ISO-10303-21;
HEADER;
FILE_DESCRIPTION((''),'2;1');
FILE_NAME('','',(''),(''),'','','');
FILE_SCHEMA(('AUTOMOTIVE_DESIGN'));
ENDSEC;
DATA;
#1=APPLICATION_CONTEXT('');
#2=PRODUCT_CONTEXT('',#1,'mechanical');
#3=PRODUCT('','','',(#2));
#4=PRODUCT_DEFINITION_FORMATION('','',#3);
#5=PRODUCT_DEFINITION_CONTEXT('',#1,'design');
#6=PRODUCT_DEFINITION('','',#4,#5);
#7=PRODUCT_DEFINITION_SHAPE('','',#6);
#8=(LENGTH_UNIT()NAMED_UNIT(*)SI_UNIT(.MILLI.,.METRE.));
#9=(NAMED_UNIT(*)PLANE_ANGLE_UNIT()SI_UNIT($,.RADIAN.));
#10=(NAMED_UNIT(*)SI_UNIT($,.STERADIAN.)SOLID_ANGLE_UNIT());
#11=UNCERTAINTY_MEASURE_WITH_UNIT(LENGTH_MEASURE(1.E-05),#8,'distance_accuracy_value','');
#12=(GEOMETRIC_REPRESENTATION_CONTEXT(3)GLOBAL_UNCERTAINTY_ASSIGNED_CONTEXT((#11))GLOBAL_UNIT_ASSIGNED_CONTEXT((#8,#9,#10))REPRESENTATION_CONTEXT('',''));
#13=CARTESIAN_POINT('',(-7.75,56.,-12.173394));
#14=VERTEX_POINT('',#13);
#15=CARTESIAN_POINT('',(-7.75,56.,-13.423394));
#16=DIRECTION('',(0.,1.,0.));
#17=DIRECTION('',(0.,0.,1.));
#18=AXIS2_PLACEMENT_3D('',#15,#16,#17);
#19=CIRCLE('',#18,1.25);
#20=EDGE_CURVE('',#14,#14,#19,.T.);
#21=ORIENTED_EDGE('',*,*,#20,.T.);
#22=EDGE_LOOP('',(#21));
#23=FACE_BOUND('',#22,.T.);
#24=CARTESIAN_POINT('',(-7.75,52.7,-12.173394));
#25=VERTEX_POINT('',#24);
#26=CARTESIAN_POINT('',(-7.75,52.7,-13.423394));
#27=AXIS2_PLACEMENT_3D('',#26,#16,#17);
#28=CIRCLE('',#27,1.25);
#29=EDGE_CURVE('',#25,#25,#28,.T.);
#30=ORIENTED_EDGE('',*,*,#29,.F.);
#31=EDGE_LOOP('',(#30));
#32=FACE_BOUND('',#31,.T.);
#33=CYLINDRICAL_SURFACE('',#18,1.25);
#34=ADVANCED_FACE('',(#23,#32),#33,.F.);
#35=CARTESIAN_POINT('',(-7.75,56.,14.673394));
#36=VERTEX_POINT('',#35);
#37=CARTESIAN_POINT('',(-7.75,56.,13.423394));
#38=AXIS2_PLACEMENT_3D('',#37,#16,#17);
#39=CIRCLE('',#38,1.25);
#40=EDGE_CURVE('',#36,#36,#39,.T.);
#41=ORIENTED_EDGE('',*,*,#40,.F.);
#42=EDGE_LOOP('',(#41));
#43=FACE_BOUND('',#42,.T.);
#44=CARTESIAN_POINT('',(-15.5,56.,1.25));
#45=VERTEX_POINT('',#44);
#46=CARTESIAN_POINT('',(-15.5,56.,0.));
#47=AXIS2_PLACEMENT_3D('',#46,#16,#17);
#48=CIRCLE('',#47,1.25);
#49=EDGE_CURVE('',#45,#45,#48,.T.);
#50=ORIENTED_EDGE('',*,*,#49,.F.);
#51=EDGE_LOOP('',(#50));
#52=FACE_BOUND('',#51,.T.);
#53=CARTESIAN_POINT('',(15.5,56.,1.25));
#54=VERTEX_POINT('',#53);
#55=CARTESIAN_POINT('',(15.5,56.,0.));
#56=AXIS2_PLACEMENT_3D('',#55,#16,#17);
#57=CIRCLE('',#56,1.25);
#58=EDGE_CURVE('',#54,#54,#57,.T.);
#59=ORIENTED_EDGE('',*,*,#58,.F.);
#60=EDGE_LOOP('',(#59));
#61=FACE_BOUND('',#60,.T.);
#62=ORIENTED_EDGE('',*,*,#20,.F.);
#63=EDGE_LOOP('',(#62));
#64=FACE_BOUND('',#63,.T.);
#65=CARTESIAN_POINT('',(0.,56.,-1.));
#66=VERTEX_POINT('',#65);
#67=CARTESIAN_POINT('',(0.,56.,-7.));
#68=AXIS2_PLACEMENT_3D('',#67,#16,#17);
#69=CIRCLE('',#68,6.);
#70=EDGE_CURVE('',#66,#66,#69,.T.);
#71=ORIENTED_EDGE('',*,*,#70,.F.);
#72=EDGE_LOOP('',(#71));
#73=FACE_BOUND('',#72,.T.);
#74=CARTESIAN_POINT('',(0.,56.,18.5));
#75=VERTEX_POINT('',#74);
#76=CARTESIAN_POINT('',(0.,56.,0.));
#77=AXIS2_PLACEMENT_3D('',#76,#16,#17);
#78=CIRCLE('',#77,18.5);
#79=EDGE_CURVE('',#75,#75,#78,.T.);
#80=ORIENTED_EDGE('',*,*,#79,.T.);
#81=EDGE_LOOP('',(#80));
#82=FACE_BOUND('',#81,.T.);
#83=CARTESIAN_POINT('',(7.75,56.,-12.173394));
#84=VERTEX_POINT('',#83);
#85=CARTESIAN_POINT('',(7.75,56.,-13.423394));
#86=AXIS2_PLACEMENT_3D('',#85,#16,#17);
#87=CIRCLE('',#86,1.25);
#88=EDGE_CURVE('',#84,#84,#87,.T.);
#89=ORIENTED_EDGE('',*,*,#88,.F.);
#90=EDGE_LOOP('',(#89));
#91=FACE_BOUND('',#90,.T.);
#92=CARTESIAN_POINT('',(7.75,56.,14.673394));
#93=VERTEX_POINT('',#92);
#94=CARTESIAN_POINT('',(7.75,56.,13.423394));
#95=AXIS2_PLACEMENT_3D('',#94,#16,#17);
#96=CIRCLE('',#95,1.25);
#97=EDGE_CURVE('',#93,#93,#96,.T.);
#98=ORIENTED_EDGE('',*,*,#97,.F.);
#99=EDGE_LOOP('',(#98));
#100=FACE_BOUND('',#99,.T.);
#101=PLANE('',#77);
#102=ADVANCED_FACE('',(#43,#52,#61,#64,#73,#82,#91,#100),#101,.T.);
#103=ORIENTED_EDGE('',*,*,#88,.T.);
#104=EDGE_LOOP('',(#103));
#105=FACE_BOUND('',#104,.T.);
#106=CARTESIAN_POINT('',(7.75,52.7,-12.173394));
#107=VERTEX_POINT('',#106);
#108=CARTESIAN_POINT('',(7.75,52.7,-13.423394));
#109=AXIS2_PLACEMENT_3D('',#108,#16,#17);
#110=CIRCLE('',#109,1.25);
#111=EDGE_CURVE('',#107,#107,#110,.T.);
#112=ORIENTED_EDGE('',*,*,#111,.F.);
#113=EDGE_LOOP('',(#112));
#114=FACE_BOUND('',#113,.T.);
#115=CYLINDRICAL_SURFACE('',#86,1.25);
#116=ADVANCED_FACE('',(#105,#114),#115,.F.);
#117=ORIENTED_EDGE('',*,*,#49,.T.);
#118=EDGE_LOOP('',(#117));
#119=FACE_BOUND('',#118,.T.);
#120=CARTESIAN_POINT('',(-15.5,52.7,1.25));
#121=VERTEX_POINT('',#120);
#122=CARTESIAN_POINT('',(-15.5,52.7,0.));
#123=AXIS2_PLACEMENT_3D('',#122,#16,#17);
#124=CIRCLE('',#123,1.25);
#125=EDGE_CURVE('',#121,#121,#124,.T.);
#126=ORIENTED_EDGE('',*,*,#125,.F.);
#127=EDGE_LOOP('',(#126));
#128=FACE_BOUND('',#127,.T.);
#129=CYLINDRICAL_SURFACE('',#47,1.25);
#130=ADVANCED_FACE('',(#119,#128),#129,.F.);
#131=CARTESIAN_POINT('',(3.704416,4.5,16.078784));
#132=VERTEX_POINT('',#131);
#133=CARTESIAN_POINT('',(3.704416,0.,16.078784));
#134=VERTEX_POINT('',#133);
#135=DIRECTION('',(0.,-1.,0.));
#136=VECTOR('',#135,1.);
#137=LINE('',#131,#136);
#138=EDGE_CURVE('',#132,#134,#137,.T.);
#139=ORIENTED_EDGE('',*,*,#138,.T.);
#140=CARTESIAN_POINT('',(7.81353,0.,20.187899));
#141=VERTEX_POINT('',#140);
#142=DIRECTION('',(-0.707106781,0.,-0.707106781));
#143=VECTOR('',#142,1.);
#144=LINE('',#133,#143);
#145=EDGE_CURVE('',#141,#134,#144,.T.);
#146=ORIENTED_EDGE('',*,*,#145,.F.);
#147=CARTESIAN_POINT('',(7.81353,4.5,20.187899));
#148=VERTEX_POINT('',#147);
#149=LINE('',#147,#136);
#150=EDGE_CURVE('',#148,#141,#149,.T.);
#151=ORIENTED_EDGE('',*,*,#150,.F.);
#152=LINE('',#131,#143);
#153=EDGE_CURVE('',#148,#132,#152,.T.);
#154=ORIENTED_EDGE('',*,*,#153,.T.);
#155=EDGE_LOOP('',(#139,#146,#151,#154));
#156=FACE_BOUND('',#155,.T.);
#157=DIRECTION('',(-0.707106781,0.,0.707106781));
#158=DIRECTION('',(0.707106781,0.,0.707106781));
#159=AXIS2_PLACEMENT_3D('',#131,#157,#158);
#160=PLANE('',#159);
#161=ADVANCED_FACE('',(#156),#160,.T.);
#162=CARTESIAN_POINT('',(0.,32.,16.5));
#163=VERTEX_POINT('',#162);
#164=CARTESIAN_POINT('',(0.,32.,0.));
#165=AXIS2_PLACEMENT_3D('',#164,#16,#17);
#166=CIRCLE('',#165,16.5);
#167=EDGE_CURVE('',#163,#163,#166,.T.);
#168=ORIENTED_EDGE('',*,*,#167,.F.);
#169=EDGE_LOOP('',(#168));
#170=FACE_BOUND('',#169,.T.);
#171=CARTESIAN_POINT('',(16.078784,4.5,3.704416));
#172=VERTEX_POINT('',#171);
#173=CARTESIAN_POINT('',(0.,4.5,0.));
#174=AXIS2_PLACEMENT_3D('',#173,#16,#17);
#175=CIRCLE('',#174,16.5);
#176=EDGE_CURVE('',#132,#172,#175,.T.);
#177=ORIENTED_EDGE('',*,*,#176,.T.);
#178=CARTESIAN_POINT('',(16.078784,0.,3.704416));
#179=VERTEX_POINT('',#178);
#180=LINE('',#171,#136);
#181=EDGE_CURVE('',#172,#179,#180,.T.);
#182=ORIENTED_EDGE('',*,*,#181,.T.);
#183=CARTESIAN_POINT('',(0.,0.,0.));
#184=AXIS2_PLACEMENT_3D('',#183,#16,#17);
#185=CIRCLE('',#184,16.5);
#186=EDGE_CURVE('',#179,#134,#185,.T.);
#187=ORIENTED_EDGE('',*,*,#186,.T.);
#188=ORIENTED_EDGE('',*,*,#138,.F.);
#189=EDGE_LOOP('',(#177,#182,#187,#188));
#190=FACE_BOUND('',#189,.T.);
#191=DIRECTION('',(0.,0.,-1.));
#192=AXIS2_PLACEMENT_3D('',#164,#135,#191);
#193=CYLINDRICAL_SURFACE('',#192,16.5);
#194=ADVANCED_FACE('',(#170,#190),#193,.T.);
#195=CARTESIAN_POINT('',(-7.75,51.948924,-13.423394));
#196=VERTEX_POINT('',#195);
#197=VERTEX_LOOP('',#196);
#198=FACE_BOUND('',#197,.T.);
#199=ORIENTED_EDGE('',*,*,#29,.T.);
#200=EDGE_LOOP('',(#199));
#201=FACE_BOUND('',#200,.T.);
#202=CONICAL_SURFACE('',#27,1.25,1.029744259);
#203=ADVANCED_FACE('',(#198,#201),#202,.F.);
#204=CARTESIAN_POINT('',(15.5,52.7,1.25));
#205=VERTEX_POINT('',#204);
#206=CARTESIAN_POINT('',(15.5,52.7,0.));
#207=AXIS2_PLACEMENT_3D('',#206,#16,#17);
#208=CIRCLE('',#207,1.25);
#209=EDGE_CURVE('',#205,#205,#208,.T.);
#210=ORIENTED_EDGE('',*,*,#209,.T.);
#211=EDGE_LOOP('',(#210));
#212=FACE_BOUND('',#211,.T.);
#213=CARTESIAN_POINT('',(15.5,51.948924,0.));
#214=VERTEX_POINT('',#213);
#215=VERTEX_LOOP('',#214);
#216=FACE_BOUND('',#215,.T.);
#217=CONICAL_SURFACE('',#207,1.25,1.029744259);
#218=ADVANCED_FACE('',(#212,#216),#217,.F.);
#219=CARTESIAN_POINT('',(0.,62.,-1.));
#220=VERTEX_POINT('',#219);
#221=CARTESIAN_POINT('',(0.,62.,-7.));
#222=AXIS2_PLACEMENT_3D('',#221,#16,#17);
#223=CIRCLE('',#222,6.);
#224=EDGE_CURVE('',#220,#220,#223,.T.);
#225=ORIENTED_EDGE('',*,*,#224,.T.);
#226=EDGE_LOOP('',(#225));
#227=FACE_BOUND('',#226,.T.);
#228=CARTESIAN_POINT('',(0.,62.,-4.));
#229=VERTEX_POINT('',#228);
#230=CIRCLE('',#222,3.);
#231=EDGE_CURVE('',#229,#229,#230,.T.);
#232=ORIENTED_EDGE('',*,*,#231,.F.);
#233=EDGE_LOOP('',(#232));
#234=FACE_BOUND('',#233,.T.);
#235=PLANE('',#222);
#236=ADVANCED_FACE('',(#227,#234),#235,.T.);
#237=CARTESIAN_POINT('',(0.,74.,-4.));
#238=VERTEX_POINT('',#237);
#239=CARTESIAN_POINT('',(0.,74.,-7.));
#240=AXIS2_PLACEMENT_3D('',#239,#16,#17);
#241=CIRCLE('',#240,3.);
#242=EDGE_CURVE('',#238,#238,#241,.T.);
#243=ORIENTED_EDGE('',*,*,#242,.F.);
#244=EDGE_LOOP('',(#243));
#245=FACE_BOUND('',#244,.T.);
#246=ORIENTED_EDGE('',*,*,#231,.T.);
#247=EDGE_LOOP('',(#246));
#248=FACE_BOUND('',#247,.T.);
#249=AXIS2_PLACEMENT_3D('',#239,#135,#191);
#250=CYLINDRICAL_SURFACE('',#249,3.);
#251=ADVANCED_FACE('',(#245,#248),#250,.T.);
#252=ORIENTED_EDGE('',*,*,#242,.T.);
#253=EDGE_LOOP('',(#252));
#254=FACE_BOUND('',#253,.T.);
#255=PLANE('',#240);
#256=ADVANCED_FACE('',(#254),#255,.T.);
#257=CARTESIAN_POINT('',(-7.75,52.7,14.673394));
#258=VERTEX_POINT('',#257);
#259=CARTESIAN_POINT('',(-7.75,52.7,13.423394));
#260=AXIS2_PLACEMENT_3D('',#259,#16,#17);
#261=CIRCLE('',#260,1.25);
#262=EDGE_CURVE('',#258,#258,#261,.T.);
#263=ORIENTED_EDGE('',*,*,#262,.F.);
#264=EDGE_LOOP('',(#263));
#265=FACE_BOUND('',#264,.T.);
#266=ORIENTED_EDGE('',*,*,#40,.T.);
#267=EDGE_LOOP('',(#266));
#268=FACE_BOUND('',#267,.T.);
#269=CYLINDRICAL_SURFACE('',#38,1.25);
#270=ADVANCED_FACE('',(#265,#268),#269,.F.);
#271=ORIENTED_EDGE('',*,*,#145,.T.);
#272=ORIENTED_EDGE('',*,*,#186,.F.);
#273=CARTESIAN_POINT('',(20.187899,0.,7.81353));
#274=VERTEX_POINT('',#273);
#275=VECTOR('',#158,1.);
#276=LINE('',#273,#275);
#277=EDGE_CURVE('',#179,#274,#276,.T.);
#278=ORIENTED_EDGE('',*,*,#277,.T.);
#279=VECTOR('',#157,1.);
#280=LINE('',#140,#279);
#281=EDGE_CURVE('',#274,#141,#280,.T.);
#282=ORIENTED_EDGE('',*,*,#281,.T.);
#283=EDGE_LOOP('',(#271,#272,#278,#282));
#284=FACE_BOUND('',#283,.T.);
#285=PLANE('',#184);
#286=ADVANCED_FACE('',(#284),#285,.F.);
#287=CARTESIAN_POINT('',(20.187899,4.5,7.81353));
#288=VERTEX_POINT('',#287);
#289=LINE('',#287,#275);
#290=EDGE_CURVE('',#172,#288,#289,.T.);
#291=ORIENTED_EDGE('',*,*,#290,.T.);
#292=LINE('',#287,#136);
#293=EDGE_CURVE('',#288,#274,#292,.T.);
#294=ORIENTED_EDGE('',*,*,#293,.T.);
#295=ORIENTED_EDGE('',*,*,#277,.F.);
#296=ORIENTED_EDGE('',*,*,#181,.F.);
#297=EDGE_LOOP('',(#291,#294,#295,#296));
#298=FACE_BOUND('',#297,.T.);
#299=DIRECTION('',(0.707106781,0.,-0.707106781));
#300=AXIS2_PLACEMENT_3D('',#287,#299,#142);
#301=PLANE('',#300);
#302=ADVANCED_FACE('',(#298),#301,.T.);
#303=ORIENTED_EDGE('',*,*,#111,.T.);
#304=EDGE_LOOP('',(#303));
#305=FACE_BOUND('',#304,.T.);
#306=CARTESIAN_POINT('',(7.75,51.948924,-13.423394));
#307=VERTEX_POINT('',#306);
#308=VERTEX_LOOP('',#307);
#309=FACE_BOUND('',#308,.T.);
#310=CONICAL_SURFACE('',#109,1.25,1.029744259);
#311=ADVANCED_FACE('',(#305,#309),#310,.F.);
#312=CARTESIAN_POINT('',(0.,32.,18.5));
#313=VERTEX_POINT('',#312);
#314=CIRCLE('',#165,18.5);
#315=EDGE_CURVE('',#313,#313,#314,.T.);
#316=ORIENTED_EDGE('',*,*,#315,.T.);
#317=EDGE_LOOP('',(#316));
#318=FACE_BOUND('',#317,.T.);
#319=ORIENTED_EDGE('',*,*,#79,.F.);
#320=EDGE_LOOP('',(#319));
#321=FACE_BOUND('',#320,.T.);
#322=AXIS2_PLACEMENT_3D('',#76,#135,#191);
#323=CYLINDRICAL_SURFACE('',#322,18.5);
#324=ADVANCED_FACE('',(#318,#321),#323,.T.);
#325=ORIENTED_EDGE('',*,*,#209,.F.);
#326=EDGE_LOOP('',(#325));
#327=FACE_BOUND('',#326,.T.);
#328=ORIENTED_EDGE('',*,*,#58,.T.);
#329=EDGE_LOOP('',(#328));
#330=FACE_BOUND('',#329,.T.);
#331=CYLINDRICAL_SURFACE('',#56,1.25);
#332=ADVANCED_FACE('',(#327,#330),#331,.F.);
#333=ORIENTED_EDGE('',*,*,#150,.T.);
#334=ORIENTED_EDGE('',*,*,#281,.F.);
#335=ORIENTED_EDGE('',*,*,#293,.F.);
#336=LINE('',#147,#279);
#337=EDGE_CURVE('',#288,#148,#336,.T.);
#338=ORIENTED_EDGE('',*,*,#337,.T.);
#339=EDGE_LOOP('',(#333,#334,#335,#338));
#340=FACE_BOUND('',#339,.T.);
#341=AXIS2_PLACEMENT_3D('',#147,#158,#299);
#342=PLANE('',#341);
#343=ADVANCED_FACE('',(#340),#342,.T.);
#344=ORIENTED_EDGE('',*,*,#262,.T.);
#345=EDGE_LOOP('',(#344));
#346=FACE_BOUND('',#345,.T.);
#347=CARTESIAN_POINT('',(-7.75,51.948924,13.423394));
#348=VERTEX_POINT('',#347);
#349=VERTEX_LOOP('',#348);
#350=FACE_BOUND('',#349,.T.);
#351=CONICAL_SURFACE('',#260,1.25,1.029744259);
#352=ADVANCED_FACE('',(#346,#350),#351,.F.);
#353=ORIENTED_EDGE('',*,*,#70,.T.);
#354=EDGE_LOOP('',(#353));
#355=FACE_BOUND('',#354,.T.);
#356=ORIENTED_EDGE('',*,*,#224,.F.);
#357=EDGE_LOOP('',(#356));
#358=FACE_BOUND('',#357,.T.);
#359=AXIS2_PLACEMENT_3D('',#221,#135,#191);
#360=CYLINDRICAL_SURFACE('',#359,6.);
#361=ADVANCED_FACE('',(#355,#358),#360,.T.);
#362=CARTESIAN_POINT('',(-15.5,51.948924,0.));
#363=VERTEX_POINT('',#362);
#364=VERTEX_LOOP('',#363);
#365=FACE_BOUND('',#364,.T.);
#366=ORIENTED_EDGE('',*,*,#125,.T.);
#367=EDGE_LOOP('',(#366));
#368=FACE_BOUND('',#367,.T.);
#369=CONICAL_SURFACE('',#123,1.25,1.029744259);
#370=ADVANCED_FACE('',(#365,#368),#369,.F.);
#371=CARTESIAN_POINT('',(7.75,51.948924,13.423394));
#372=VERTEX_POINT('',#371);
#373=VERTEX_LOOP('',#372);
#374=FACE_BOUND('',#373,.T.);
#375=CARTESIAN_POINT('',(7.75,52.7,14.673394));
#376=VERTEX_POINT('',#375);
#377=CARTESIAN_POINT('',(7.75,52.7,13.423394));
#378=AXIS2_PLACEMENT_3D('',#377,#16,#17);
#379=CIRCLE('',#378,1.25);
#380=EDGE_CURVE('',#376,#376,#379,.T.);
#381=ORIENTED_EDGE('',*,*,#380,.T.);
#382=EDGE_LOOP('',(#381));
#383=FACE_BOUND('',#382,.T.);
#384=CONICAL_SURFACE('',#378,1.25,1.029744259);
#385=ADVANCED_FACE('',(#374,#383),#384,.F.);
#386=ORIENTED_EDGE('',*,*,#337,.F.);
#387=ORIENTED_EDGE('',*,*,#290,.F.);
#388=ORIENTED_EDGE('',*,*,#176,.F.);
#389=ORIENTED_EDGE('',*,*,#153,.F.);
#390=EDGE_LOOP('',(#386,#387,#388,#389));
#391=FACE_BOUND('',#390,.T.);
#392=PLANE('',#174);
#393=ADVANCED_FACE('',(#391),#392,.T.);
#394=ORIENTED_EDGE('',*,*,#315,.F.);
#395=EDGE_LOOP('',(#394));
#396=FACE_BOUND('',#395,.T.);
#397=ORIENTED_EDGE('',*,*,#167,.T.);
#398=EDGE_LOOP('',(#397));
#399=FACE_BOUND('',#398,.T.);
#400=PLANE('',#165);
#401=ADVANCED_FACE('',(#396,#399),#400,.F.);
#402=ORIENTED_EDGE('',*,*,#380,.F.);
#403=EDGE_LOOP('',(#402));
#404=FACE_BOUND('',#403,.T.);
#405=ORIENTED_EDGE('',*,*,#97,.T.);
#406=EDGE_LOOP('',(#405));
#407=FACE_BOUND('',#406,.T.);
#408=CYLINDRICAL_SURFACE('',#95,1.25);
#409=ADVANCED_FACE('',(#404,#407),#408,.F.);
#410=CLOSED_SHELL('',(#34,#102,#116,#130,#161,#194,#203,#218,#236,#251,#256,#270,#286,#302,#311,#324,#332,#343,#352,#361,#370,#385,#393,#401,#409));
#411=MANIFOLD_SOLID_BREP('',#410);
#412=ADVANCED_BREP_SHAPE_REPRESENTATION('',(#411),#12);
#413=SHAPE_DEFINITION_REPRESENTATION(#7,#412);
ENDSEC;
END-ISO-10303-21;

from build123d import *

# Parameters (mm, degrees)
SKETCH_1_R             = 16.5
EXTRUDE_1_DEPTH        = 32
SKETCH_2_R             = 18.5
EXTRUDE_2_DEPTH        = 24
SKETCH_3_R             = 6
EXTRUDE_3_DEPTH        = 6
SKETCH_4_R             = 3
EXTRUDE_4_DEPTH        = 12
HOLE_WIZARD_M3_1_D     = 2.5
HOLE_WIZARD_M3_1_DEPTH = 3.3
HOLE_WIZARD_M3_1_TIP   = 0.751075774
EXTRUDE_5_DEPTH        = 4.5


with BuildPart() as part:
    # 草图1 → 凸台-拉伸1 (new body)
    with BuildSketch(Plane(origin=(0, 0, 0), x_dir=(1, 0, 0), z_dir=(0, 1, 0))):
        with Locations(Location((0, 0, 0), (0, 0, 270))):
            Circle(SKETCH_1_R)
    extrude(amount=EXTRUDE_1_DEPTH)

    # 草图2 → 凸台-拉伸2 (add)
    with BuildSketch(Plane(origin=(0, 32, 0), x_dir=(1, 0, 0), z_dir=(0, 1, 0))):
        with Locations(Location((0, 0, 0), (0, 0, 270))):
            Circle(SKETCH_2_R)
    extrude(amount=EXTRUDE_2_DEPTH)

    # 草图3 → 凸台-拉伸3 (add)
    with BuildSketch(Plane(origin=(0, 56, 0), x_dir=(1, 0, 0), z_dir=(0, 1, 0))):
        with Locations(Location((0, 7, 0), (0, 0, 270))):
            Circle(SKETCH_3_R)
    extrude(amount=EXTRUDE_3_DEPTH)

    # 草图4 → 凸台-拉伸4 (add)
    with BuildSketch(Plane(origin=(0, 62, 0), x_dir=(1, 0, 0), z_dir=(0, 1, 0))):
        with Locations(Location((0, 7, 0), (0, 0, 270))):
            Circle(SKETCH_4_R)
    extrude(amount=EXTRUDE_4_DEPTH)

    # M3 螺纹孔的螺纹孔钻头1
    with Locations(Plane(origin=(0, 56, 0), x_dir=(1, 0, 0), z_dir=(0, 1, 0))):
        with Locations((-7.75, 13.423393759), (7.75, 13.423393759), (15.5, 0), (7.75, -13.423393759), (-7.75, -13.423393759), (-15.5, 0)):
            Hole(HOLE_WIZARD_M3_1_D / 2, depth=HOLE_WIZARD_M3_1_DEPTH)
            with Locations((0, 0, -(HOLE_WIZARD_M3_1_DEPTH + HOLE_WIZARD_M3_1_TIP / 2))):  # 118° drill point
                Cone(0, HOLE_WIZARD_M3_1_D / 2, HOLE_WIZARD_M3_1_TIP, mode=Mode.SUBTRACT)

    # 草图8 → 凸台-拉伸5 (add)
    with BuildSketch(Plane.XZ):
        Polygon((3.704415636, 16.078784307), (16.078784307, 3.704415636), (20.187898603, 7.813529932), (7.813529932, 20.187898603), align=None)
    extrude(amount=-EXTRUDE_5_DEPTH)


solid = part.part
